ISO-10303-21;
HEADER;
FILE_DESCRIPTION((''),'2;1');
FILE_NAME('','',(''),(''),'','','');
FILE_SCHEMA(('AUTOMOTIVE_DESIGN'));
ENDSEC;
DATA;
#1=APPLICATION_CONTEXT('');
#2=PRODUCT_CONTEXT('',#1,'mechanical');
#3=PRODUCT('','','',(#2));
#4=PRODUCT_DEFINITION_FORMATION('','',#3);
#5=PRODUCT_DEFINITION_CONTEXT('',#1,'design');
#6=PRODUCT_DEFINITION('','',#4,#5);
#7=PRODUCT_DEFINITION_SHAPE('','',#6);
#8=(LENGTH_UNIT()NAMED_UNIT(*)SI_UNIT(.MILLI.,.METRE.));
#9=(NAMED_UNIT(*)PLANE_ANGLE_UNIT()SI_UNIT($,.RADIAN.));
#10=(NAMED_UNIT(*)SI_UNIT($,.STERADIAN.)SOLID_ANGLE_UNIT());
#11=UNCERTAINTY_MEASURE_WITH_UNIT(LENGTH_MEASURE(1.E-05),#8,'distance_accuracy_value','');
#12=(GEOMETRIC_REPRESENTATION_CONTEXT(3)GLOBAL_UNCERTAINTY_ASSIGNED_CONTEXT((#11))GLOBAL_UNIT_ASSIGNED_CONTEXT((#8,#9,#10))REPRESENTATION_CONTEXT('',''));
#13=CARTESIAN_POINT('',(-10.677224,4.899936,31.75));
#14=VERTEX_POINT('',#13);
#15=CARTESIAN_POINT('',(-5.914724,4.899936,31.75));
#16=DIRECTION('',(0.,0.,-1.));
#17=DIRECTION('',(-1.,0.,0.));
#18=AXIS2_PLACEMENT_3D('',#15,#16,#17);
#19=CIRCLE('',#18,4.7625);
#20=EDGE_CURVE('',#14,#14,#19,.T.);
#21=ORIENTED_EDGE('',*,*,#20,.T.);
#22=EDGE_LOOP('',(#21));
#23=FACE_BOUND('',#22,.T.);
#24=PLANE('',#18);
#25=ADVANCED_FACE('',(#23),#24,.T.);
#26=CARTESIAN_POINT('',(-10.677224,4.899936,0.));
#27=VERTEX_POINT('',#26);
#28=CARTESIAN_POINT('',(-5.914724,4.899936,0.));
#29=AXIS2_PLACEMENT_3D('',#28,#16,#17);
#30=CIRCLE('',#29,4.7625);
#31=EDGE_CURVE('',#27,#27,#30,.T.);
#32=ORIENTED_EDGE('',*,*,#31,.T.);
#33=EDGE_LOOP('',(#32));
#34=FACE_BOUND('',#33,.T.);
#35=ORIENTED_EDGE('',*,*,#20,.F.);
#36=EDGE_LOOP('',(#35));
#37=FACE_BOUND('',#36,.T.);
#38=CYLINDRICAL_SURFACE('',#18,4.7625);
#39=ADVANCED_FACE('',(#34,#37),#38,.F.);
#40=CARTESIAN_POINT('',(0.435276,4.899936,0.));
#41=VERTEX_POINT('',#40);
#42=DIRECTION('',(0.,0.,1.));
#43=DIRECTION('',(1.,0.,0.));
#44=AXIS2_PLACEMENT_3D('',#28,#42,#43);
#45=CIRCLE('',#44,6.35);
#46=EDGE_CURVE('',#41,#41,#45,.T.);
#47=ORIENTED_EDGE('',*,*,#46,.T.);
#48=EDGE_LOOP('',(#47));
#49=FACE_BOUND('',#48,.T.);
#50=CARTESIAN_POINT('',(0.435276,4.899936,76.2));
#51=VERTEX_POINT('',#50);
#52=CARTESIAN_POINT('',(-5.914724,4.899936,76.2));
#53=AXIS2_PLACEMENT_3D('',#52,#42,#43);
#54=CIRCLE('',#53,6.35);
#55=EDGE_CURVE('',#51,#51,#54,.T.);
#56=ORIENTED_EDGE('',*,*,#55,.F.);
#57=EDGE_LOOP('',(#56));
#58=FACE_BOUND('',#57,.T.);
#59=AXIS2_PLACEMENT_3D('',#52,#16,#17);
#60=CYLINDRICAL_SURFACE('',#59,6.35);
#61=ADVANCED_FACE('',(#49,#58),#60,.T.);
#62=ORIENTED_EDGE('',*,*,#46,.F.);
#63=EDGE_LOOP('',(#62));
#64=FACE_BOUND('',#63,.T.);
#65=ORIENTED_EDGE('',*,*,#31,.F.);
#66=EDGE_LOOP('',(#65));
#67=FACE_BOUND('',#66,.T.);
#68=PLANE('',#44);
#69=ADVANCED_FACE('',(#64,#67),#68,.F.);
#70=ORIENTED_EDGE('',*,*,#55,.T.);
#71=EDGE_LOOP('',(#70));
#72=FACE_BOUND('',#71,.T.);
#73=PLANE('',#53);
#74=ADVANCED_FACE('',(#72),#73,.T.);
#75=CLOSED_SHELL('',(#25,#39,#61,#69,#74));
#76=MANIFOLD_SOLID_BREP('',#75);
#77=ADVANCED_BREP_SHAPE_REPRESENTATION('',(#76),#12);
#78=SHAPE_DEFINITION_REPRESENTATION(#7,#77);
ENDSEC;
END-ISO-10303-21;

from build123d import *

# Parameters (mm, degrees)
SKETCH1_R           = 6.35
BOSS_EXTRUDE1_DEPTH = 76.2
SKETCH3_R           = 4.7625
CUT_EXTRUDE1_DEPTH  = 31.75


with BuildPart() as part:
    # Sketch1 → Boss-Extrude1 (new body)
    with BuildSketch(Plane.XY):
        with Locations((-5.914723807, 4.899935984)):
            Circle(SKETCH1_R)
    extrude(amount=BOSS_EXTRUDE1_DEPTH)

    # Sketch3 → Cut-Extrude1 (cut)
    with BuildSketch(Plane(origin=(0, 0, 0), x_dir=(-1, 0, 0), z_dir=(0, 0, -1))):
        with Locations((5.914723807, 4.899935984)):
            Circle(SKETCH3_R)
    extrude(amount=-CUT_EXTRUDE1_DEPTH, mode=Mode.SUBTRACT)


solid = part.part
